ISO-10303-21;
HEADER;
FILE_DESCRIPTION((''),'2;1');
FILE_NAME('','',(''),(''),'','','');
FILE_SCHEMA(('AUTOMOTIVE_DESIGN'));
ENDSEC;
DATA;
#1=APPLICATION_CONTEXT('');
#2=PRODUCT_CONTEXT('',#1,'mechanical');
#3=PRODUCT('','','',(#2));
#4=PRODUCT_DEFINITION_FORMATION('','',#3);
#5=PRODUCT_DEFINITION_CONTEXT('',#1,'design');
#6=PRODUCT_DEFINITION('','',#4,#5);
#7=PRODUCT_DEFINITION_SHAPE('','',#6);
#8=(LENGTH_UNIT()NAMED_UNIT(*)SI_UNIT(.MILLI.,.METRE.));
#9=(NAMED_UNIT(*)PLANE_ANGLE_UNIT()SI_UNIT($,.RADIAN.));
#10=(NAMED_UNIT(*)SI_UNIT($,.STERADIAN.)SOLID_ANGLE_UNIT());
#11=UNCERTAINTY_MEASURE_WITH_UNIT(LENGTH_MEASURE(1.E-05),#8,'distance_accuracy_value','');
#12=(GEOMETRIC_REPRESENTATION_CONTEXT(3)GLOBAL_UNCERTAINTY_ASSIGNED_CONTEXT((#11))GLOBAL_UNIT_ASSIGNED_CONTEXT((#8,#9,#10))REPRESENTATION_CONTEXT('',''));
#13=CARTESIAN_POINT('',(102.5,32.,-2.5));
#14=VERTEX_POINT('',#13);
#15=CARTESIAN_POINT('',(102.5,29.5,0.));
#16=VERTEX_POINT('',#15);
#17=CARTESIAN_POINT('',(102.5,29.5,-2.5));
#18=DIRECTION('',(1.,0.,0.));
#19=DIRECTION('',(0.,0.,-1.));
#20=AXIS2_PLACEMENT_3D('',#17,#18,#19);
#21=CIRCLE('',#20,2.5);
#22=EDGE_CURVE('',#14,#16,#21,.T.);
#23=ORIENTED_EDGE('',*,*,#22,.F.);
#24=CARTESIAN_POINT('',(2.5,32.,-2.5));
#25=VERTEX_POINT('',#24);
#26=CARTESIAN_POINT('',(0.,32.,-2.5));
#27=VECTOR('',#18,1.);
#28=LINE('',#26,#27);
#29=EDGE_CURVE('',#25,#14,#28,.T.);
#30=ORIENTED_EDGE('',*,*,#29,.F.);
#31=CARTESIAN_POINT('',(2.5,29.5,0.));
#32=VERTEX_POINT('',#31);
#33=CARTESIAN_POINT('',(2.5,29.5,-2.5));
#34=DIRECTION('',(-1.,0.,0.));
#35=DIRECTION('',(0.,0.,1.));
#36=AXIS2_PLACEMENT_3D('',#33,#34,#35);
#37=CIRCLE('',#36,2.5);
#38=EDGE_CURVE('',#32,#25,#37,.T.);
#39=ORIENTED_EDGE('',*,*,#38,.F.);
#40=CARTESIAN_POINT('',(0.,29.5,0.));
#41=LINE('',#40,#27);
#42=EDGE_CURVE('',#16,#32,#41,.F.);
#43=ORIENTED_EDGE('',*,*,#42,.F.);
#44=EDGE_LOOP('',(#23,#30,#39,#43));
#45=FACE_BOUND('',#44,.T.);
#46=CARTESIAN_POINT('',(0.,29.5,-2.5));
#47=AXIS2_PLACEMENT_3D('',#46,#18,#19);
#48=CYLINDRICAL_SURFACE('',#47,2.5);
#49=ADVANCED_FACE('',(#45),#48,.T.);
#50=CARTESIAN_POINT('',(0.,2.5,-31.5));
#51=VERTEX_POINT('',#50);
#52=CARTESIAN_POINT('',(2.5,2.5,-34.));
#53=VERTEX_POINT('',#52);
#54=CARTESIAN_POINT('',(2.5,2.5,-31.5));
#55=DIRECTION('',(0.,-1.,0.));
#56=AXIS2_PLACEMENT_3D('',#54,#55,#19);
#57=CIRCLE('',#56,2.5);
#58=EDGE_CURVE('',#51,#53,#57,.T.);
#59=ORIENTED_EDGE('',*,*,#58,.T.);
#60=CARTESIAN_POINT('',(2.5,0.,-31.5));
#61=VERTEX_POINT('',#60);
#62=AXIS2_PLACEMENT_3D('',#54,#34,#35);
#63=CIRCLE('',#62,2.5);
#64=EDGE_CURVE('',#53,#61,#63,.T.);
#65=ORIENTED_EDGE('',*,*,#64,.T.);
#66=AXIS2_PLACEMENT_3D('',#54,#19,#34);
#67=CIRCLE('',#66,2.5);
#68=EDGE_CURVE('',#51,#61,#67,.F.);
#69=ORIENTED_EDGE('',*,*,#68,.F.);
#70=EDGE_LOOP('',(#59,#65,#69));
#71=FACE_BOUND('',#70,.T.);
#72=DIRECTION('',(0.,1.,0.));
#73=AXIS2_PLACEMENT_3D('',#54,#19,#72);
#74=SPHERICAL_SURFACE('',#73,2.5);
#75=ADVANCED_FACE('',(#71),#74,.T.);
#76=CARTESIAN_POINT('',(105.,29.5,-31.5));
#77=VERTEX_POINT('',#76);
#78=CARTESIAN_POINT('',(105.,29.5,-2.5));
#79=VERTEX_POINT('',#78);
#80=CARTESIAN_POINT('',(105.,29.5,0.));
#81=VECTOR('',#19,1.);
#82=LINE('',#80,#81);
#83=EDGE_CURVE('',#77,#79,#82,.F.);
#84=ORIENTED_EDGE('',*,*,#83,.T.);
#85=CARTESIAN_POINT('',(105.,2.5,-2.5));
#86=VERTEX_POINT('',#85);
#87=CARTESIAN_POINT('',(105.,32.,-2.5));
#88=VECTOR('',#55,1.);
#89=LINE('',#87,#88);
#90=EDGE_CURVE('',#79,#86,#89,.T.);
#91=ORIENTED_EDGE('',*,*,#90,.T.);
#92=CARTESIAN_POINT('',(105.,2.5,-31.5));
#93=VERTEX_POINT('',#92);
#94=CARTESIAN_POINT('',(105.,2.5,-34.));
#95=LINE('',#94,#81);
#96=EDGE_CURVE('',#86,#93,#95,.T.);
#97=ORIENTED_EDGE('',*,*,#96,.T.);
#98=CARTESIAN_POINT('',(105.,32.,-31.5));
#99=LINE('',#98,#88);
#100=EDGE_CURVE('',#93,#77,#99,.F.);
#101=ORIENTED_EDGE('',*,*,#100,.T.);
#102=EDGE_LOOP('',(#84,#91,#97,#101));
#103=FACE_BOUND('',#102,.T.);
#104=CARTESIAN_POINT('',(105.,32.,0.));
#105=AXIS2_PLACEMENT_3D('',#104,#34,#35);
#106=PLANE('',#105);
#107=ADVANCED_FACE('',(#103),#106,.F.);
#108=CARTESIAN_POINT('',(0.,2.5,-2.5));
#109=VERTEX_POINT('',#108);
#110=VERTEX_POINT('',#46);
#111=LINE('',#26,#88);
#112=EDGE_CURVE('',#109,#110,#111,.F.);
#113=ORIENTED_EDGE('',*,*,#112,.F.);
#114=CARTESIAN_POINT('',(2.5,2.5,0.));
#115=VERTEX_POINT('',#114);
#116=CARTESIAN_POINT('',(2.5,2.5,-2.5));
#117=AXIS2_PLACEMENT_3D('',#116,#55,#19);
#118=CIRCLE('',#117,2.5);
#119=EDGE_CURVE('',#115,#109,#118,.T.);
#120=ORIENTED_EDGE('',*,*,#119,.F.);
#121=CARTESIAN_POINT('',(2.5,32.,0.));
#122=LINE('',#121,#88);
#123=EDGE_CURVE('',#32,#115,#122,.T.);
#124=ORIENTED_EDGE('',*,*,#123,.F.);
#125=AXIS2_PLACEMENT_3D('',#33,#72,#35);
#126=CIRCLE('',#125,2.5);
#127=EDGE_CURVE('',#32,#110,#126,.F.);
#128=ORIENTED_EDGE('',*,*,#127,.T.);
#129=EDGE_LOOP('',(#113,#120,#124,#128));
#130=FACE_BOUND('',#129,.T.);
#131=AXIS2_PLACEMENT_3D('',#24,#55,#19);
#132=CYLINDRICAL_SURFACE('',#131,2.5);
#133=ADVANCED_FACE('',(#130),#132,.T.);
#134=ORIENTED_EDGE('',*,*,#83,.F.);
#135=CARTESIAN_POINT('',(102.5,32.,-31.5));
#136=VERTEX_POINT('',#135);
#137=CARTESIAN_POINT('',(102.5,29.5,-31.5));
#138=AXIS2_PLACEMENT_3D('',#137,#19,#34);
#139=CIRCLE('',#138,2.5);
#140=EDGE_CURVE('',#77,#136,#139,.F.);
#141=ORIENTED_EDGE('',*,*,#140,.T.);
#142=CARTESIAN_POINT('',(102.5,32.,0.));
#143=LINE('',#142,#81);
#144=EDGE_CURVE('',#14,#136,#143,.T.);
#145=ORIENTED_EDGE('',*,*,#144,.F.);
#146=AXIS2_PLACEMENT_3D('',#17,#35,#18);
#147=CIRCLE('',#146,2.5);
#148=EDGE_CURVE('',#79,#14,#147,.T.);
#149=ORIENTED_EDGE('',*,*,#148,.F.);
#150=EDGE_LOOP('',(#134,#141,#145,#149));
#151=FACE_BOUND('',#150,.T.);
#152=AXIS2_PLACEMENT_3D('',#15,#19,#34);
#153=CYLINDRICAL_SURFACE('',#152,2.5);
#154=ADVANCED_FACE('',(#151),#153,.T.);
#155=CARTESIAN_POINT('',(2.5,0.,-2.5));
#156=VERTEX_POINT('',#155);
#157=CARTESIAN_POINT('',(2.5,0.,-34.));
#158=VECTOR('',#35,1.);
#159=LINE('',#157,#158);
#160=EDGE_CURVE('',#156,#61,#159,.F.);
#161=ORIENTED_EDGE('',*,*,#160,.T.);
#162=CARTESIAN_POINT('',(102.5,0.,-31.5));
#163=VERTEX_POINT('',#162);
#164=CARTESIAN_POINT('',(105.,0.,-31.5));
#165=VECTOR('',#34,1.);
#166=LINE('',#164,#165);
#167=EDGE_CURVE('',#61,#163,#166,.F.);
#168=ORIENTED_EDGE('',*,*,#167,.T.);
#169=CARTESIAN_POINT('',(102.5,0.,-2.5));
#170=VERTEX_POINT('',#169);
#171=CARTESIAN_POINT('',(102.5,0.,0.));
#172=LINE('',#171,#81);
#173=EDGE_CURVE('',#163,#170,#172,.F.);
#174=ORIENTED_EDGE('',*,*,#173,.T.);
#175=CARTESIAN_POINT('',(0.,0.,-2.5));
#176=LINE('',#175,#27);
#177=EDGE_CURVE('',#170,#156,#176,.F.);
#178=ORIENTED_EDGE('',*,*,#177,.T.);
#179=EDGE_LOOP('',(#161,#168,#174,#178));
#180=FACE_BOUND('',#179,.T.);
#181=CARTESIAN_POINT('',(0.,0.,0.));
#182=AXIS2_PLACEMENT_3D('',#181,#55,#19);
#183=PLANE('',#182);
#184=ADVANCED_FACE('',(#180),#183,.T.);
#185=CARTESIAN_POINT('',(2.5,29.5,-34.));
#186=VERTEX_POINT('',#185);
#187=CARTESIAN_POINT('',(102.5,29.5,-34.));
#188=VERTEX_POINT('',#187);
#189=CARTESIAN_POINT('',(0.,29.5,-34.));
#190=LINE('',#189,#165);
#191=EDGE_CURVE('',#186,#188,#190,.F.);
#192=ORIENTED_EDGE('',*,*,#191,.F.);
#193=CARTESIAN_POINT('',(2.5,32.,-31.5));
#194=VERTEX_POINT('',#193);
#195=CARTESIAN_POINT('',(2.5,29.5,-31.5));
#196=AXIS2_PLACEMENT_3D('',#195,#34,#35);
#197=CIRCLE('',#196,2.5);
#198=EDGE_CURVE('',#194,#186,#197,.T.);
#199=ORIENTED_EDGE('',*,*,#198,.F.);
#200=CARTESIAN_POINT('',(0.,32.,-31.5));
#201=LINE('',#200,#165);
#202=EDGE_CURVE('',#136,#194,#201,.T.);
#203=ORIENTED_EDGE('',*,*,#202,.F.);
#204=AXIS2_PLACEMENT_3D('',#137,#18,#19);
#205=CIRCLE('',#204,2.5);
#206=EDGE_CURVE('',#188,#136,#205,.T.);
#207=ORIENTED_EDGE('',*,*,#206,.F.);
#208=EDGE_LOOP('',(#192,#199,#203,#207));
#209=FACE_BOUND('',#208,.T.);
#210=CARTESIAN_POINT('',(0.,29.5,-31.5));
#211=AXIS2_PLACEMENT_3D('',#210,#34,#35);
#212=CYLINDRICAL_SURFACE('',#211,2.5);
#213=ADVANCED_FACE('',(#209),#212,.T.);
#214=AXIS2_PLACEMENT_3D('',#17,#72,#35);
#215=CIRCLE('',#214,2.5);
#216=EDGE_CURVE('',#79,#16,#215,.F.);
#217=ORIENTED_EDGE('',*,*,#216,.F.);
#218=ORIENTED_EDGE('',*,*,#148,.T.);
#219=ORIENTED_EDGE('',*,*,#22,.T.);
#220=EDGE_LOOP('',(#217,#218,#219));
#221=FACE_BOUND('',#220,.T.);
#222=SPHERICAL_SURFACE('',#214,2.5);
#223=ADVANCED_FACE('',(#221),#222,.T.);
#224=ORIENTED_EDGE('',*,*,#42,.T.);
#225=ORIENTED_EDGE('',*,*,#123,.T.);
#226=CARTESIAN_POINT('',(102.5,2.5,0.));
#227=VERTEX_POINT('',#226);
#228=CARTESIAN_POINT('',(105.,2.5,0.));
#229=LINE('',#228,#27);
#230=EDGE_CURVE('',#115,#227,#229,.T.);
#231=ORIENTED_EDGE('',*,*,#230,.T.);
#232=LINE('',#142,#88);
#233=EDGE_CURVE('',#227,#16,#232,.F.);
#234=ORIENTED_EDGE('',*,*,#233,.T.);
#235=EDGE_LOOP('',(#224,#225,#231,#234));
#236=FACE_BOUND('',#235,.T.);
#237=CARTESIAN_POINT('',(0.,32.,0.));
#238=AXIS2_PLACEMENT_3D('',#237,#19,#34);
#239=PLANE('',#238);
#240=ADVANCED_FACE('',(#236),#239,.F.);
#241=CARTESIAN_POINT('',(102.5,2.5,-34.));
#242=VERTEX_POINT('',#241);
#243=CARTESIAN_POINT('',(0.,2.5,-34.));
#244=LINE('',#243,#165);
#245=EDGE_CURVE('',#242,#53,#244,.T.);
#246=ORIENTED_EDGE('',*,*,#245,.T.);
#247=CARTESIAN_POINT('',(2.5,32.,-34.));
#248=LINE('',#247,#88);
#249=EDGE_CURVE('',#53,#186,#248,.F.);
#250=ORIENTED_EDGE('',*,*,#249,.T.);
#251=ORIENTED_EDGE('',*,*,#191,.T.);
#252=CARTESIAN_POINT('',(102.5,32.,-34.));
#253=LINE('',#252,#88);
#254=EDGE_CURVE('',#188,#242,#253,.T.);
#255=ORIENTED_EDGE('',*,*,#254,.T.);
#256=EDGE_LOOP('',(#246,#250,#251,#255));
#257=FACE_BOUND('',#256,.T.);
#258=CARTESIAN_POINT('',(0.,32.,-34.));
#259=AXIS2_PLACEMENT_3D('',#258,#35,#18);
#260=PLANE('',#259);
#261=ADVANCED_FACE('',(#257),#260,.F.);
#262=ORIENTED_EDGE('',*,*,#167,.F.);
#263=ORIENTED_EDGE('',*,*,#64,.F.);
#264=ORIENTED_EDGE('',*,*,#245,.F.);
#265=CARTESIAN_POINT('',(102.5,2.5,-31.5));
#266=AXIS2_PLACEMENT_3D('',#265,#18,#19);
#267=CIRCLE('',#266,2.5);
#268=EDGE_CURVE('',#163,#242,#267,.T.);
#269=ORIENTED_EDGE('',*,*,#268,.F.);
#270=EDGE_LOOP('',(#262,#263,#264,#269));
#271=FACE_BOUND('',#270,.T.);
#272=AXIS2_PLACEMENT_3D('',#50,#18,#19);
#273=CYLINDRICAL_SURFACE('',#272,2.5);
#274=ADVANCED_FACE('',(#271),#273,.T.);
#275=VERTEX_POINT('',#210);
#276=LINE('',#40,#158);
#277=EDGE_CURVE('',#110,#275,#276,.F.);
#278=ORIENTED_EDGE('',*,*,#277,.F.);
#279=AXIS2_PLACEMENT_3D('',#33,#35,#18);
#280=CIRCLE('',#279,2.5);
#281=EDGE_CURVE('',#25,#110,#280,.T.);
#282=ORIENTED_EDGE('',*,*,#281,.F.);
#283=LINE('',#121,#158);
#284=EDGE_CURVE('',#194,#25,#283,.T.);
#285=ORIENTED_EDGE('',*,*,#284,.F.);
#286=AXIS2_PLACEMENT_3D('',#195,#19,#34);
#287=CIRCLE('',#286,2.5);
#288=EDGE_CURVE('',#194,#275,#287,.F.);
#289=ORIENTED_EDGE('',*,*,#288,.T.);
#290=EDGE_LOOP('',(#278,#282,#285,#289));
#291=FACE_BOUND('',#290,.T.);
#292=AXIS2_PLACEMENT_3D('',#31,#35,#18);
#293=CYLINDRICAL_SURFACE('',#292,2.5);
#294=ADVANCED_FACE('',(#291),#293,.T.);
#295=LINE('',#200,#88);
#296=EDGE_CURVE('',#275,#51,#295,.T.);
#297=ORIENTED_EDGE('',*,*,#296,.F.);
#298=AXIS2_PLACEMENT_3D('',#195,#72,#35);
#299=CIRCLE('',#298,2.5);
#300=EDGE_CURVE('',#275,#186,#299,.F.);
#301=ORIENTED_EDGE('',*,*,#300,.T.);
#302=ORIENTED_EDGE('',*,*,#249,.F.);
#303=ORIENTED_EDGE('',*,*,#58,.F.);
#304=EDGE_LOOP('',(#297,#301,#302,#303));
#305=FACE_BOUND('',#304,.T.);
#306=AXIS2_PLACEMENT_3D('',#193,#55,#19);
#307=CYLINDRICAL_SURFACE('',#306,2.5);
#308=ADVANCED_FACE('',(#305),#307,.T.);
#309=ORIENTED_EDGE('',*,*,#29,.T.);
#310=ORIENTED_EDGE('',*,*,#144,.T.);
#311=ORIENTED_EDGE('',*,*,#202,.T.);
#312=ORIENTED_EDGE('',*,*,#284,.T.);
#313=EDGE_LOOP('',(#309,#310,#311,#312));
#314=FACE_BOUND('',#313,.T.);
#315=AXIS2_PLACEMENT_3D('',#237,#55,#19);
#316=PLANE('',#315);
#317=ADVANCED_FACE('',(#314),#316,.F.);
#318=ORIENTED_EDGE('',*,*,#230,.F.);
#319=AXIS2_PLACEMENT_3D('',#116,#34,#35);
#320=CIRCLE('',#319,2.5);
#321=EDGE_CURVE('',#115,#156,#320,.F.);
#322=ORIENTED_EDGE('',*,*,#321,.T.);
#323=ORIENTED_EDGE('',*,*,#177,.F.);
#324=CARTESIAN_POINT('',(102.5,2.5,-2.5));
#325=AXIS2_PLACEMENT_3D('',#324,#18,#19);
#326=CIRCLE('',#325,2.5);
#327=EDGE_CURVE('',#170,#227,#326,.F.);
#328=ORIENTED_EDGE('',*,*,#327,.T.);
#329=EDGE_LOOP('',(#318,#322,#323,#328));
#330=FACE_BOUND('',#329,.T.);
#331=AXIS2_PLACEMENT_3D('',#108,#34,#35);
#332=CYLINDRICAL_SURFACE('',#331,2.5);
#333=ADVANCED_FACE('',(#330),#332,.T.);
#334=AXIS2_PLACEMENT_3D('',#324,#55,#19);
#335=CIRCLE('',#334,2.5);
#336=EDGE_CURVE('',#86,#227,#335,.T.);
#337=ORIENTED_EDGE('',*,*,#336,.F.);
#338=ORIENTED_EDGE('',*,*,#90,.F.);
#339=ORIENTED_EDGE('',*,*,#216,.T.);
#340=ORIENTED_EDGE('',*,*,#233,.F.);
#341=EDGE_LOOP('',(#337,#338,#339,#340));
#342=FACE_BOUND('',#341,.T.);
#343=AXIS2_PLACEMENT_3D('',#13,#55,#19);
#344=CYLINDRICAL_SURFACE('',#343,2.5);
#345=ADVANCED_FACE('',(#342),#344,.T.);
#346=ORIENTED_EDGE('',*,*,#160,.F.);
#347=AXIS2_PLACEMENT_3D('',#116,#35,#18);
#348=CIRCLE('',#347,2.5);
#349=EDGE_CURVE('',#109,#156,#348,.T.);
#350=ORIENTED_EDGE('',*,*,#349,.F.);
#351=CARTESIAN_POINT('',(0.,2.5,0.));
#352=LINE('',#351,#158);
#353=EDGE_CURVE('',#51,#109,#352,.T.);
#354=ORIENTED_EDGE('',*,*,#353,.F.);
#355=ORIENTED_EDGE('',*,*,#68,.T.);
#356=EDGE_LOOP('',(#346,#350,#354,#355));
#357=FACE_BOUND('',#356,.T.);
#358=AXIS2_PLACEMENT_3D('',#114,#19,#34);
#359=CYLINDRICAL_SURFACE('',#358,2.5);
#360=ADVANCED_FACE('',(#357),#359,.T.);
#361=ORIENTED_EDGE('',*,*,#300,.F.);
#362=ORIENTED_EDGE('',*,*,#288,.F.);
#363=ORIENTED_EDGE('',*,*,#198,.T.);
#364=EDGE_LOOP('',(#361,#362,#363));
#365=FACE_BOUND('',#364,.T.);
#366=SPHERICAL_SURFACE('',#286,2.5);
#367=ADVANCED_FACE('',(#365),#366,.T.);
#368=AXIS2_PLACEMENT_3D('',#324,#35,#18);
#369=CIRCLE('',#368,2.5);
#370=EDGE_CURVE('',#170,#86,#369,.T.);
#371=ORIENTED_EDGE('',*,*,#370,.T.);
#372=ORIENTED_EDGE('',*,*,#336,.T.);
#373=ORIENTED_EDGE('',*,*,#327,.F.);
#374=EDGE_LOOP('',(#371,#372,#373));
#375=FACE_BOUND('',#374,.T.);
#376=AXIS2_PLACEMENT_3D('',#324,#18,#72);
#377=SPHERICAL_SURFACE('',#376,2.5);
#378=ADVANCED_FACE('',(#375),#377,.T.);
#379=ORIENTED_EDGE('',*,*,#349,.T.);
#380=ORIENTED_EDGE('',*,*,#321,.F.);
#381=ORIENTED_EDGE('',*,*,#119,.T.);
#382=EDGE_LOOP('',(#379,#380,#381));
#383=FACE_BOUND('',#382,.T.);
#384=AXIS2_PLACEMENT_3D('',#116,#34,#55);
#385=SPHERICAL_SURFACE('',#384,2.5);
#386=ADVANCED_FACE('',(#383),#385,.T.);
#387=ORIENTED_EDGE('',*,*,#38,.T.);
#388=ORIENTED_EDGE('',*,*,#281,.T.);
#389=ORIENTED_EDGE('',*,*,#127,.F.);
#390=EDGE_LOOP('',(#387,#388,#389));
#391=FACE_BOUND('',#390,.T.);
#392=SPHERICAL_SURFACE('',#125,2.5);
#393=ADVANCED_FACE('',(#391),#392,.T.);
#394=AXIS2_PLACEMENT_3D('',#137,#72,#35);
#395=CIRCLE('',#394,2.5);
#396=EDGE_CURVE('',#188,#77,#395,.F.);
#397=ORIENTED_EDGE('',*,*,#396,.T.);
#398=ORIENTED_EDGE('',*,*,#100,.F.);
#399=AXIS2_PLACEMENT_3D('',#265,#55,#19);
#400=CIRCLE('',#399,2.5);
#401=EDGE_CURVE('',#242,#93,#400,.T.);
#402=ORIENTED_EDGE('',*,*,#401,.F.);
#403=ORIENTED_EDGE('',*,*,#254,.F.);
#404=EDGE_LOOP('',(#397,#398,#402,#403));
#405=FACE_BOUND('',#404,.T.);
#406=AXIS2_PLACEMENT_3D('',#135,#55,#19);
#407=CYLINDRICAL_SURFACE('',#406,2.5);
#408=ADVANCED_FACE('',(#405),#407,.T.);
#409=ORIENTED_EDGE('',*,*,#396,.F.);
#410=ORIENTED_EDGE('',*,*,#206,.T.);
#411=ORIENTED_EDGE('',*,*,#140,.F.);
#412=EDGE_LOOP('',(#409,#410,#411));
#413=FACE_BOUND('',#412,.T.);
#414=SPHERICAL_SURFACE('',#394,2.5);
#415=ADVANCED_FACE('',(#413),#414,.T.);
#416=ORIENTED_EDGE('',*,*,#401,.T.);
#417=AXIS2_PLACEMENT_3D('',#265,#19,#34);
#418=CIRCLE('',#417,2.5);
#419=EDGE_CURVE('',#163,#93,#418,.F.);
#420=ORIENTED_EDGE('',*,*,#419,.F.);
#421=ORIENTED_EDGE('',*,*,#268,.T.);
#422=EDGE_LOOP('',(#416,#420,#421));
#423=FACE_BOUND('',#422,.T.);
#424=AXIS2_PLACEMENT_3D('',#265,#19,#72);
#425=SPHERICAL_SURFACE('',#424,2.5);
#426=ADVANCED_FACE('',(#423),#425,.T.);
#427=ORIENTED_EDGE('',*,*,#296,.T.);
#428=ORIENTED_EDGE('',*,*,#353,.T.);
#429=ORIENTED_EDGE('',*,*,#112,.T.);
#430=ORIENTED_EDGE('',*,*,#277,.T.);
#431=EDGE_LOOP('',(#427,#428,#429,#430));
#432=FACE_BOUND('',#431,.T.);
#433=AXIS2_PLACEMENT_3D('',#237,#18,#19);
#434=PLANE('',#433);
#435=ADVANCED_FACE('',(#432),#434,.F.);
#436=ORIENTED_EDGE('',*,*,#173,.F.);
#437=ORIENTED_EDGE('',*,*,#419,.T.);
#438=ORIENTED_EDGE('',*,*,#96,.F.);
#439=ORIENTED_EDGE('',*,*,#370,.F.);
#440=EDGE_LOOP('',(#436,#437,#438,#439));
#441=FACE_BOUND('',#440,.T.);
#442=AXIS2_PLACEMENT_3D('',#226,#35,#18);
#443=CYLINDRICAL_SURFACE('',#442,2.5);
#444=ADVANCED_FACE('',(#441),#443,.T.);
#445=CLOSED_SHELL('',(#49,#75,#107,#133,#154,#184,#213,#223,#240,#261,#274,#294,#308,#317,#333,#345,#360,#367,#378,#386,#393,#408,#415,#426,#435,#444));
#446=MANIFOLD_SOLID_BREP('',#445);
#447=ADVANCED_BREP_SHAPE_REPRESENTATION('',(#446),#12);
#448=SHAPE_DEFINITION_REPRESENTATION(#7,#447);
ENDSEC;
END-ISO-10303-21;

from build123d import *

# Parameters (mm, degrees)
SKETCH1_W           = 105
SKETCH1_H           = 34
BOSS_EXTRUDE1_DEPTH = 32
FILLET1_R           = 2.5


with BuildPart() as part:
    # Sketch1 → Boss-Extrude1 (new body)
    with BuildSketch(Plane(origin=(0, 0, 0), x_dir=(1, 0, 0), z_dir=(0, 1, 0))):
        with Locations((52.5, 17)):
            Rectangle(SKETCH1_W, SKETCH1_H)
    extrude(amount=BOSS_EXTRUDE1_DEPTH)

    # Fillet1
    fillet1_edges = [part.edges().sort_by_distance(p)[0] for p in [
        (105, 32, -17),
        (52.5, 32, -34),
        (0, 32, -17),
        (52.5, 0, -34),
        (105, 0, -17),
        (52.5, 0, 0),
        (0, 0, -17),
        (0, 16, -34),
        (105, 16, -34),
        (105, 16, 0),
        (0, 16, 0),
        (52.5, 32, 0),
    ]]
    fillet(fillet1_edges, radius=FILLET1_R)


solid = part.part
